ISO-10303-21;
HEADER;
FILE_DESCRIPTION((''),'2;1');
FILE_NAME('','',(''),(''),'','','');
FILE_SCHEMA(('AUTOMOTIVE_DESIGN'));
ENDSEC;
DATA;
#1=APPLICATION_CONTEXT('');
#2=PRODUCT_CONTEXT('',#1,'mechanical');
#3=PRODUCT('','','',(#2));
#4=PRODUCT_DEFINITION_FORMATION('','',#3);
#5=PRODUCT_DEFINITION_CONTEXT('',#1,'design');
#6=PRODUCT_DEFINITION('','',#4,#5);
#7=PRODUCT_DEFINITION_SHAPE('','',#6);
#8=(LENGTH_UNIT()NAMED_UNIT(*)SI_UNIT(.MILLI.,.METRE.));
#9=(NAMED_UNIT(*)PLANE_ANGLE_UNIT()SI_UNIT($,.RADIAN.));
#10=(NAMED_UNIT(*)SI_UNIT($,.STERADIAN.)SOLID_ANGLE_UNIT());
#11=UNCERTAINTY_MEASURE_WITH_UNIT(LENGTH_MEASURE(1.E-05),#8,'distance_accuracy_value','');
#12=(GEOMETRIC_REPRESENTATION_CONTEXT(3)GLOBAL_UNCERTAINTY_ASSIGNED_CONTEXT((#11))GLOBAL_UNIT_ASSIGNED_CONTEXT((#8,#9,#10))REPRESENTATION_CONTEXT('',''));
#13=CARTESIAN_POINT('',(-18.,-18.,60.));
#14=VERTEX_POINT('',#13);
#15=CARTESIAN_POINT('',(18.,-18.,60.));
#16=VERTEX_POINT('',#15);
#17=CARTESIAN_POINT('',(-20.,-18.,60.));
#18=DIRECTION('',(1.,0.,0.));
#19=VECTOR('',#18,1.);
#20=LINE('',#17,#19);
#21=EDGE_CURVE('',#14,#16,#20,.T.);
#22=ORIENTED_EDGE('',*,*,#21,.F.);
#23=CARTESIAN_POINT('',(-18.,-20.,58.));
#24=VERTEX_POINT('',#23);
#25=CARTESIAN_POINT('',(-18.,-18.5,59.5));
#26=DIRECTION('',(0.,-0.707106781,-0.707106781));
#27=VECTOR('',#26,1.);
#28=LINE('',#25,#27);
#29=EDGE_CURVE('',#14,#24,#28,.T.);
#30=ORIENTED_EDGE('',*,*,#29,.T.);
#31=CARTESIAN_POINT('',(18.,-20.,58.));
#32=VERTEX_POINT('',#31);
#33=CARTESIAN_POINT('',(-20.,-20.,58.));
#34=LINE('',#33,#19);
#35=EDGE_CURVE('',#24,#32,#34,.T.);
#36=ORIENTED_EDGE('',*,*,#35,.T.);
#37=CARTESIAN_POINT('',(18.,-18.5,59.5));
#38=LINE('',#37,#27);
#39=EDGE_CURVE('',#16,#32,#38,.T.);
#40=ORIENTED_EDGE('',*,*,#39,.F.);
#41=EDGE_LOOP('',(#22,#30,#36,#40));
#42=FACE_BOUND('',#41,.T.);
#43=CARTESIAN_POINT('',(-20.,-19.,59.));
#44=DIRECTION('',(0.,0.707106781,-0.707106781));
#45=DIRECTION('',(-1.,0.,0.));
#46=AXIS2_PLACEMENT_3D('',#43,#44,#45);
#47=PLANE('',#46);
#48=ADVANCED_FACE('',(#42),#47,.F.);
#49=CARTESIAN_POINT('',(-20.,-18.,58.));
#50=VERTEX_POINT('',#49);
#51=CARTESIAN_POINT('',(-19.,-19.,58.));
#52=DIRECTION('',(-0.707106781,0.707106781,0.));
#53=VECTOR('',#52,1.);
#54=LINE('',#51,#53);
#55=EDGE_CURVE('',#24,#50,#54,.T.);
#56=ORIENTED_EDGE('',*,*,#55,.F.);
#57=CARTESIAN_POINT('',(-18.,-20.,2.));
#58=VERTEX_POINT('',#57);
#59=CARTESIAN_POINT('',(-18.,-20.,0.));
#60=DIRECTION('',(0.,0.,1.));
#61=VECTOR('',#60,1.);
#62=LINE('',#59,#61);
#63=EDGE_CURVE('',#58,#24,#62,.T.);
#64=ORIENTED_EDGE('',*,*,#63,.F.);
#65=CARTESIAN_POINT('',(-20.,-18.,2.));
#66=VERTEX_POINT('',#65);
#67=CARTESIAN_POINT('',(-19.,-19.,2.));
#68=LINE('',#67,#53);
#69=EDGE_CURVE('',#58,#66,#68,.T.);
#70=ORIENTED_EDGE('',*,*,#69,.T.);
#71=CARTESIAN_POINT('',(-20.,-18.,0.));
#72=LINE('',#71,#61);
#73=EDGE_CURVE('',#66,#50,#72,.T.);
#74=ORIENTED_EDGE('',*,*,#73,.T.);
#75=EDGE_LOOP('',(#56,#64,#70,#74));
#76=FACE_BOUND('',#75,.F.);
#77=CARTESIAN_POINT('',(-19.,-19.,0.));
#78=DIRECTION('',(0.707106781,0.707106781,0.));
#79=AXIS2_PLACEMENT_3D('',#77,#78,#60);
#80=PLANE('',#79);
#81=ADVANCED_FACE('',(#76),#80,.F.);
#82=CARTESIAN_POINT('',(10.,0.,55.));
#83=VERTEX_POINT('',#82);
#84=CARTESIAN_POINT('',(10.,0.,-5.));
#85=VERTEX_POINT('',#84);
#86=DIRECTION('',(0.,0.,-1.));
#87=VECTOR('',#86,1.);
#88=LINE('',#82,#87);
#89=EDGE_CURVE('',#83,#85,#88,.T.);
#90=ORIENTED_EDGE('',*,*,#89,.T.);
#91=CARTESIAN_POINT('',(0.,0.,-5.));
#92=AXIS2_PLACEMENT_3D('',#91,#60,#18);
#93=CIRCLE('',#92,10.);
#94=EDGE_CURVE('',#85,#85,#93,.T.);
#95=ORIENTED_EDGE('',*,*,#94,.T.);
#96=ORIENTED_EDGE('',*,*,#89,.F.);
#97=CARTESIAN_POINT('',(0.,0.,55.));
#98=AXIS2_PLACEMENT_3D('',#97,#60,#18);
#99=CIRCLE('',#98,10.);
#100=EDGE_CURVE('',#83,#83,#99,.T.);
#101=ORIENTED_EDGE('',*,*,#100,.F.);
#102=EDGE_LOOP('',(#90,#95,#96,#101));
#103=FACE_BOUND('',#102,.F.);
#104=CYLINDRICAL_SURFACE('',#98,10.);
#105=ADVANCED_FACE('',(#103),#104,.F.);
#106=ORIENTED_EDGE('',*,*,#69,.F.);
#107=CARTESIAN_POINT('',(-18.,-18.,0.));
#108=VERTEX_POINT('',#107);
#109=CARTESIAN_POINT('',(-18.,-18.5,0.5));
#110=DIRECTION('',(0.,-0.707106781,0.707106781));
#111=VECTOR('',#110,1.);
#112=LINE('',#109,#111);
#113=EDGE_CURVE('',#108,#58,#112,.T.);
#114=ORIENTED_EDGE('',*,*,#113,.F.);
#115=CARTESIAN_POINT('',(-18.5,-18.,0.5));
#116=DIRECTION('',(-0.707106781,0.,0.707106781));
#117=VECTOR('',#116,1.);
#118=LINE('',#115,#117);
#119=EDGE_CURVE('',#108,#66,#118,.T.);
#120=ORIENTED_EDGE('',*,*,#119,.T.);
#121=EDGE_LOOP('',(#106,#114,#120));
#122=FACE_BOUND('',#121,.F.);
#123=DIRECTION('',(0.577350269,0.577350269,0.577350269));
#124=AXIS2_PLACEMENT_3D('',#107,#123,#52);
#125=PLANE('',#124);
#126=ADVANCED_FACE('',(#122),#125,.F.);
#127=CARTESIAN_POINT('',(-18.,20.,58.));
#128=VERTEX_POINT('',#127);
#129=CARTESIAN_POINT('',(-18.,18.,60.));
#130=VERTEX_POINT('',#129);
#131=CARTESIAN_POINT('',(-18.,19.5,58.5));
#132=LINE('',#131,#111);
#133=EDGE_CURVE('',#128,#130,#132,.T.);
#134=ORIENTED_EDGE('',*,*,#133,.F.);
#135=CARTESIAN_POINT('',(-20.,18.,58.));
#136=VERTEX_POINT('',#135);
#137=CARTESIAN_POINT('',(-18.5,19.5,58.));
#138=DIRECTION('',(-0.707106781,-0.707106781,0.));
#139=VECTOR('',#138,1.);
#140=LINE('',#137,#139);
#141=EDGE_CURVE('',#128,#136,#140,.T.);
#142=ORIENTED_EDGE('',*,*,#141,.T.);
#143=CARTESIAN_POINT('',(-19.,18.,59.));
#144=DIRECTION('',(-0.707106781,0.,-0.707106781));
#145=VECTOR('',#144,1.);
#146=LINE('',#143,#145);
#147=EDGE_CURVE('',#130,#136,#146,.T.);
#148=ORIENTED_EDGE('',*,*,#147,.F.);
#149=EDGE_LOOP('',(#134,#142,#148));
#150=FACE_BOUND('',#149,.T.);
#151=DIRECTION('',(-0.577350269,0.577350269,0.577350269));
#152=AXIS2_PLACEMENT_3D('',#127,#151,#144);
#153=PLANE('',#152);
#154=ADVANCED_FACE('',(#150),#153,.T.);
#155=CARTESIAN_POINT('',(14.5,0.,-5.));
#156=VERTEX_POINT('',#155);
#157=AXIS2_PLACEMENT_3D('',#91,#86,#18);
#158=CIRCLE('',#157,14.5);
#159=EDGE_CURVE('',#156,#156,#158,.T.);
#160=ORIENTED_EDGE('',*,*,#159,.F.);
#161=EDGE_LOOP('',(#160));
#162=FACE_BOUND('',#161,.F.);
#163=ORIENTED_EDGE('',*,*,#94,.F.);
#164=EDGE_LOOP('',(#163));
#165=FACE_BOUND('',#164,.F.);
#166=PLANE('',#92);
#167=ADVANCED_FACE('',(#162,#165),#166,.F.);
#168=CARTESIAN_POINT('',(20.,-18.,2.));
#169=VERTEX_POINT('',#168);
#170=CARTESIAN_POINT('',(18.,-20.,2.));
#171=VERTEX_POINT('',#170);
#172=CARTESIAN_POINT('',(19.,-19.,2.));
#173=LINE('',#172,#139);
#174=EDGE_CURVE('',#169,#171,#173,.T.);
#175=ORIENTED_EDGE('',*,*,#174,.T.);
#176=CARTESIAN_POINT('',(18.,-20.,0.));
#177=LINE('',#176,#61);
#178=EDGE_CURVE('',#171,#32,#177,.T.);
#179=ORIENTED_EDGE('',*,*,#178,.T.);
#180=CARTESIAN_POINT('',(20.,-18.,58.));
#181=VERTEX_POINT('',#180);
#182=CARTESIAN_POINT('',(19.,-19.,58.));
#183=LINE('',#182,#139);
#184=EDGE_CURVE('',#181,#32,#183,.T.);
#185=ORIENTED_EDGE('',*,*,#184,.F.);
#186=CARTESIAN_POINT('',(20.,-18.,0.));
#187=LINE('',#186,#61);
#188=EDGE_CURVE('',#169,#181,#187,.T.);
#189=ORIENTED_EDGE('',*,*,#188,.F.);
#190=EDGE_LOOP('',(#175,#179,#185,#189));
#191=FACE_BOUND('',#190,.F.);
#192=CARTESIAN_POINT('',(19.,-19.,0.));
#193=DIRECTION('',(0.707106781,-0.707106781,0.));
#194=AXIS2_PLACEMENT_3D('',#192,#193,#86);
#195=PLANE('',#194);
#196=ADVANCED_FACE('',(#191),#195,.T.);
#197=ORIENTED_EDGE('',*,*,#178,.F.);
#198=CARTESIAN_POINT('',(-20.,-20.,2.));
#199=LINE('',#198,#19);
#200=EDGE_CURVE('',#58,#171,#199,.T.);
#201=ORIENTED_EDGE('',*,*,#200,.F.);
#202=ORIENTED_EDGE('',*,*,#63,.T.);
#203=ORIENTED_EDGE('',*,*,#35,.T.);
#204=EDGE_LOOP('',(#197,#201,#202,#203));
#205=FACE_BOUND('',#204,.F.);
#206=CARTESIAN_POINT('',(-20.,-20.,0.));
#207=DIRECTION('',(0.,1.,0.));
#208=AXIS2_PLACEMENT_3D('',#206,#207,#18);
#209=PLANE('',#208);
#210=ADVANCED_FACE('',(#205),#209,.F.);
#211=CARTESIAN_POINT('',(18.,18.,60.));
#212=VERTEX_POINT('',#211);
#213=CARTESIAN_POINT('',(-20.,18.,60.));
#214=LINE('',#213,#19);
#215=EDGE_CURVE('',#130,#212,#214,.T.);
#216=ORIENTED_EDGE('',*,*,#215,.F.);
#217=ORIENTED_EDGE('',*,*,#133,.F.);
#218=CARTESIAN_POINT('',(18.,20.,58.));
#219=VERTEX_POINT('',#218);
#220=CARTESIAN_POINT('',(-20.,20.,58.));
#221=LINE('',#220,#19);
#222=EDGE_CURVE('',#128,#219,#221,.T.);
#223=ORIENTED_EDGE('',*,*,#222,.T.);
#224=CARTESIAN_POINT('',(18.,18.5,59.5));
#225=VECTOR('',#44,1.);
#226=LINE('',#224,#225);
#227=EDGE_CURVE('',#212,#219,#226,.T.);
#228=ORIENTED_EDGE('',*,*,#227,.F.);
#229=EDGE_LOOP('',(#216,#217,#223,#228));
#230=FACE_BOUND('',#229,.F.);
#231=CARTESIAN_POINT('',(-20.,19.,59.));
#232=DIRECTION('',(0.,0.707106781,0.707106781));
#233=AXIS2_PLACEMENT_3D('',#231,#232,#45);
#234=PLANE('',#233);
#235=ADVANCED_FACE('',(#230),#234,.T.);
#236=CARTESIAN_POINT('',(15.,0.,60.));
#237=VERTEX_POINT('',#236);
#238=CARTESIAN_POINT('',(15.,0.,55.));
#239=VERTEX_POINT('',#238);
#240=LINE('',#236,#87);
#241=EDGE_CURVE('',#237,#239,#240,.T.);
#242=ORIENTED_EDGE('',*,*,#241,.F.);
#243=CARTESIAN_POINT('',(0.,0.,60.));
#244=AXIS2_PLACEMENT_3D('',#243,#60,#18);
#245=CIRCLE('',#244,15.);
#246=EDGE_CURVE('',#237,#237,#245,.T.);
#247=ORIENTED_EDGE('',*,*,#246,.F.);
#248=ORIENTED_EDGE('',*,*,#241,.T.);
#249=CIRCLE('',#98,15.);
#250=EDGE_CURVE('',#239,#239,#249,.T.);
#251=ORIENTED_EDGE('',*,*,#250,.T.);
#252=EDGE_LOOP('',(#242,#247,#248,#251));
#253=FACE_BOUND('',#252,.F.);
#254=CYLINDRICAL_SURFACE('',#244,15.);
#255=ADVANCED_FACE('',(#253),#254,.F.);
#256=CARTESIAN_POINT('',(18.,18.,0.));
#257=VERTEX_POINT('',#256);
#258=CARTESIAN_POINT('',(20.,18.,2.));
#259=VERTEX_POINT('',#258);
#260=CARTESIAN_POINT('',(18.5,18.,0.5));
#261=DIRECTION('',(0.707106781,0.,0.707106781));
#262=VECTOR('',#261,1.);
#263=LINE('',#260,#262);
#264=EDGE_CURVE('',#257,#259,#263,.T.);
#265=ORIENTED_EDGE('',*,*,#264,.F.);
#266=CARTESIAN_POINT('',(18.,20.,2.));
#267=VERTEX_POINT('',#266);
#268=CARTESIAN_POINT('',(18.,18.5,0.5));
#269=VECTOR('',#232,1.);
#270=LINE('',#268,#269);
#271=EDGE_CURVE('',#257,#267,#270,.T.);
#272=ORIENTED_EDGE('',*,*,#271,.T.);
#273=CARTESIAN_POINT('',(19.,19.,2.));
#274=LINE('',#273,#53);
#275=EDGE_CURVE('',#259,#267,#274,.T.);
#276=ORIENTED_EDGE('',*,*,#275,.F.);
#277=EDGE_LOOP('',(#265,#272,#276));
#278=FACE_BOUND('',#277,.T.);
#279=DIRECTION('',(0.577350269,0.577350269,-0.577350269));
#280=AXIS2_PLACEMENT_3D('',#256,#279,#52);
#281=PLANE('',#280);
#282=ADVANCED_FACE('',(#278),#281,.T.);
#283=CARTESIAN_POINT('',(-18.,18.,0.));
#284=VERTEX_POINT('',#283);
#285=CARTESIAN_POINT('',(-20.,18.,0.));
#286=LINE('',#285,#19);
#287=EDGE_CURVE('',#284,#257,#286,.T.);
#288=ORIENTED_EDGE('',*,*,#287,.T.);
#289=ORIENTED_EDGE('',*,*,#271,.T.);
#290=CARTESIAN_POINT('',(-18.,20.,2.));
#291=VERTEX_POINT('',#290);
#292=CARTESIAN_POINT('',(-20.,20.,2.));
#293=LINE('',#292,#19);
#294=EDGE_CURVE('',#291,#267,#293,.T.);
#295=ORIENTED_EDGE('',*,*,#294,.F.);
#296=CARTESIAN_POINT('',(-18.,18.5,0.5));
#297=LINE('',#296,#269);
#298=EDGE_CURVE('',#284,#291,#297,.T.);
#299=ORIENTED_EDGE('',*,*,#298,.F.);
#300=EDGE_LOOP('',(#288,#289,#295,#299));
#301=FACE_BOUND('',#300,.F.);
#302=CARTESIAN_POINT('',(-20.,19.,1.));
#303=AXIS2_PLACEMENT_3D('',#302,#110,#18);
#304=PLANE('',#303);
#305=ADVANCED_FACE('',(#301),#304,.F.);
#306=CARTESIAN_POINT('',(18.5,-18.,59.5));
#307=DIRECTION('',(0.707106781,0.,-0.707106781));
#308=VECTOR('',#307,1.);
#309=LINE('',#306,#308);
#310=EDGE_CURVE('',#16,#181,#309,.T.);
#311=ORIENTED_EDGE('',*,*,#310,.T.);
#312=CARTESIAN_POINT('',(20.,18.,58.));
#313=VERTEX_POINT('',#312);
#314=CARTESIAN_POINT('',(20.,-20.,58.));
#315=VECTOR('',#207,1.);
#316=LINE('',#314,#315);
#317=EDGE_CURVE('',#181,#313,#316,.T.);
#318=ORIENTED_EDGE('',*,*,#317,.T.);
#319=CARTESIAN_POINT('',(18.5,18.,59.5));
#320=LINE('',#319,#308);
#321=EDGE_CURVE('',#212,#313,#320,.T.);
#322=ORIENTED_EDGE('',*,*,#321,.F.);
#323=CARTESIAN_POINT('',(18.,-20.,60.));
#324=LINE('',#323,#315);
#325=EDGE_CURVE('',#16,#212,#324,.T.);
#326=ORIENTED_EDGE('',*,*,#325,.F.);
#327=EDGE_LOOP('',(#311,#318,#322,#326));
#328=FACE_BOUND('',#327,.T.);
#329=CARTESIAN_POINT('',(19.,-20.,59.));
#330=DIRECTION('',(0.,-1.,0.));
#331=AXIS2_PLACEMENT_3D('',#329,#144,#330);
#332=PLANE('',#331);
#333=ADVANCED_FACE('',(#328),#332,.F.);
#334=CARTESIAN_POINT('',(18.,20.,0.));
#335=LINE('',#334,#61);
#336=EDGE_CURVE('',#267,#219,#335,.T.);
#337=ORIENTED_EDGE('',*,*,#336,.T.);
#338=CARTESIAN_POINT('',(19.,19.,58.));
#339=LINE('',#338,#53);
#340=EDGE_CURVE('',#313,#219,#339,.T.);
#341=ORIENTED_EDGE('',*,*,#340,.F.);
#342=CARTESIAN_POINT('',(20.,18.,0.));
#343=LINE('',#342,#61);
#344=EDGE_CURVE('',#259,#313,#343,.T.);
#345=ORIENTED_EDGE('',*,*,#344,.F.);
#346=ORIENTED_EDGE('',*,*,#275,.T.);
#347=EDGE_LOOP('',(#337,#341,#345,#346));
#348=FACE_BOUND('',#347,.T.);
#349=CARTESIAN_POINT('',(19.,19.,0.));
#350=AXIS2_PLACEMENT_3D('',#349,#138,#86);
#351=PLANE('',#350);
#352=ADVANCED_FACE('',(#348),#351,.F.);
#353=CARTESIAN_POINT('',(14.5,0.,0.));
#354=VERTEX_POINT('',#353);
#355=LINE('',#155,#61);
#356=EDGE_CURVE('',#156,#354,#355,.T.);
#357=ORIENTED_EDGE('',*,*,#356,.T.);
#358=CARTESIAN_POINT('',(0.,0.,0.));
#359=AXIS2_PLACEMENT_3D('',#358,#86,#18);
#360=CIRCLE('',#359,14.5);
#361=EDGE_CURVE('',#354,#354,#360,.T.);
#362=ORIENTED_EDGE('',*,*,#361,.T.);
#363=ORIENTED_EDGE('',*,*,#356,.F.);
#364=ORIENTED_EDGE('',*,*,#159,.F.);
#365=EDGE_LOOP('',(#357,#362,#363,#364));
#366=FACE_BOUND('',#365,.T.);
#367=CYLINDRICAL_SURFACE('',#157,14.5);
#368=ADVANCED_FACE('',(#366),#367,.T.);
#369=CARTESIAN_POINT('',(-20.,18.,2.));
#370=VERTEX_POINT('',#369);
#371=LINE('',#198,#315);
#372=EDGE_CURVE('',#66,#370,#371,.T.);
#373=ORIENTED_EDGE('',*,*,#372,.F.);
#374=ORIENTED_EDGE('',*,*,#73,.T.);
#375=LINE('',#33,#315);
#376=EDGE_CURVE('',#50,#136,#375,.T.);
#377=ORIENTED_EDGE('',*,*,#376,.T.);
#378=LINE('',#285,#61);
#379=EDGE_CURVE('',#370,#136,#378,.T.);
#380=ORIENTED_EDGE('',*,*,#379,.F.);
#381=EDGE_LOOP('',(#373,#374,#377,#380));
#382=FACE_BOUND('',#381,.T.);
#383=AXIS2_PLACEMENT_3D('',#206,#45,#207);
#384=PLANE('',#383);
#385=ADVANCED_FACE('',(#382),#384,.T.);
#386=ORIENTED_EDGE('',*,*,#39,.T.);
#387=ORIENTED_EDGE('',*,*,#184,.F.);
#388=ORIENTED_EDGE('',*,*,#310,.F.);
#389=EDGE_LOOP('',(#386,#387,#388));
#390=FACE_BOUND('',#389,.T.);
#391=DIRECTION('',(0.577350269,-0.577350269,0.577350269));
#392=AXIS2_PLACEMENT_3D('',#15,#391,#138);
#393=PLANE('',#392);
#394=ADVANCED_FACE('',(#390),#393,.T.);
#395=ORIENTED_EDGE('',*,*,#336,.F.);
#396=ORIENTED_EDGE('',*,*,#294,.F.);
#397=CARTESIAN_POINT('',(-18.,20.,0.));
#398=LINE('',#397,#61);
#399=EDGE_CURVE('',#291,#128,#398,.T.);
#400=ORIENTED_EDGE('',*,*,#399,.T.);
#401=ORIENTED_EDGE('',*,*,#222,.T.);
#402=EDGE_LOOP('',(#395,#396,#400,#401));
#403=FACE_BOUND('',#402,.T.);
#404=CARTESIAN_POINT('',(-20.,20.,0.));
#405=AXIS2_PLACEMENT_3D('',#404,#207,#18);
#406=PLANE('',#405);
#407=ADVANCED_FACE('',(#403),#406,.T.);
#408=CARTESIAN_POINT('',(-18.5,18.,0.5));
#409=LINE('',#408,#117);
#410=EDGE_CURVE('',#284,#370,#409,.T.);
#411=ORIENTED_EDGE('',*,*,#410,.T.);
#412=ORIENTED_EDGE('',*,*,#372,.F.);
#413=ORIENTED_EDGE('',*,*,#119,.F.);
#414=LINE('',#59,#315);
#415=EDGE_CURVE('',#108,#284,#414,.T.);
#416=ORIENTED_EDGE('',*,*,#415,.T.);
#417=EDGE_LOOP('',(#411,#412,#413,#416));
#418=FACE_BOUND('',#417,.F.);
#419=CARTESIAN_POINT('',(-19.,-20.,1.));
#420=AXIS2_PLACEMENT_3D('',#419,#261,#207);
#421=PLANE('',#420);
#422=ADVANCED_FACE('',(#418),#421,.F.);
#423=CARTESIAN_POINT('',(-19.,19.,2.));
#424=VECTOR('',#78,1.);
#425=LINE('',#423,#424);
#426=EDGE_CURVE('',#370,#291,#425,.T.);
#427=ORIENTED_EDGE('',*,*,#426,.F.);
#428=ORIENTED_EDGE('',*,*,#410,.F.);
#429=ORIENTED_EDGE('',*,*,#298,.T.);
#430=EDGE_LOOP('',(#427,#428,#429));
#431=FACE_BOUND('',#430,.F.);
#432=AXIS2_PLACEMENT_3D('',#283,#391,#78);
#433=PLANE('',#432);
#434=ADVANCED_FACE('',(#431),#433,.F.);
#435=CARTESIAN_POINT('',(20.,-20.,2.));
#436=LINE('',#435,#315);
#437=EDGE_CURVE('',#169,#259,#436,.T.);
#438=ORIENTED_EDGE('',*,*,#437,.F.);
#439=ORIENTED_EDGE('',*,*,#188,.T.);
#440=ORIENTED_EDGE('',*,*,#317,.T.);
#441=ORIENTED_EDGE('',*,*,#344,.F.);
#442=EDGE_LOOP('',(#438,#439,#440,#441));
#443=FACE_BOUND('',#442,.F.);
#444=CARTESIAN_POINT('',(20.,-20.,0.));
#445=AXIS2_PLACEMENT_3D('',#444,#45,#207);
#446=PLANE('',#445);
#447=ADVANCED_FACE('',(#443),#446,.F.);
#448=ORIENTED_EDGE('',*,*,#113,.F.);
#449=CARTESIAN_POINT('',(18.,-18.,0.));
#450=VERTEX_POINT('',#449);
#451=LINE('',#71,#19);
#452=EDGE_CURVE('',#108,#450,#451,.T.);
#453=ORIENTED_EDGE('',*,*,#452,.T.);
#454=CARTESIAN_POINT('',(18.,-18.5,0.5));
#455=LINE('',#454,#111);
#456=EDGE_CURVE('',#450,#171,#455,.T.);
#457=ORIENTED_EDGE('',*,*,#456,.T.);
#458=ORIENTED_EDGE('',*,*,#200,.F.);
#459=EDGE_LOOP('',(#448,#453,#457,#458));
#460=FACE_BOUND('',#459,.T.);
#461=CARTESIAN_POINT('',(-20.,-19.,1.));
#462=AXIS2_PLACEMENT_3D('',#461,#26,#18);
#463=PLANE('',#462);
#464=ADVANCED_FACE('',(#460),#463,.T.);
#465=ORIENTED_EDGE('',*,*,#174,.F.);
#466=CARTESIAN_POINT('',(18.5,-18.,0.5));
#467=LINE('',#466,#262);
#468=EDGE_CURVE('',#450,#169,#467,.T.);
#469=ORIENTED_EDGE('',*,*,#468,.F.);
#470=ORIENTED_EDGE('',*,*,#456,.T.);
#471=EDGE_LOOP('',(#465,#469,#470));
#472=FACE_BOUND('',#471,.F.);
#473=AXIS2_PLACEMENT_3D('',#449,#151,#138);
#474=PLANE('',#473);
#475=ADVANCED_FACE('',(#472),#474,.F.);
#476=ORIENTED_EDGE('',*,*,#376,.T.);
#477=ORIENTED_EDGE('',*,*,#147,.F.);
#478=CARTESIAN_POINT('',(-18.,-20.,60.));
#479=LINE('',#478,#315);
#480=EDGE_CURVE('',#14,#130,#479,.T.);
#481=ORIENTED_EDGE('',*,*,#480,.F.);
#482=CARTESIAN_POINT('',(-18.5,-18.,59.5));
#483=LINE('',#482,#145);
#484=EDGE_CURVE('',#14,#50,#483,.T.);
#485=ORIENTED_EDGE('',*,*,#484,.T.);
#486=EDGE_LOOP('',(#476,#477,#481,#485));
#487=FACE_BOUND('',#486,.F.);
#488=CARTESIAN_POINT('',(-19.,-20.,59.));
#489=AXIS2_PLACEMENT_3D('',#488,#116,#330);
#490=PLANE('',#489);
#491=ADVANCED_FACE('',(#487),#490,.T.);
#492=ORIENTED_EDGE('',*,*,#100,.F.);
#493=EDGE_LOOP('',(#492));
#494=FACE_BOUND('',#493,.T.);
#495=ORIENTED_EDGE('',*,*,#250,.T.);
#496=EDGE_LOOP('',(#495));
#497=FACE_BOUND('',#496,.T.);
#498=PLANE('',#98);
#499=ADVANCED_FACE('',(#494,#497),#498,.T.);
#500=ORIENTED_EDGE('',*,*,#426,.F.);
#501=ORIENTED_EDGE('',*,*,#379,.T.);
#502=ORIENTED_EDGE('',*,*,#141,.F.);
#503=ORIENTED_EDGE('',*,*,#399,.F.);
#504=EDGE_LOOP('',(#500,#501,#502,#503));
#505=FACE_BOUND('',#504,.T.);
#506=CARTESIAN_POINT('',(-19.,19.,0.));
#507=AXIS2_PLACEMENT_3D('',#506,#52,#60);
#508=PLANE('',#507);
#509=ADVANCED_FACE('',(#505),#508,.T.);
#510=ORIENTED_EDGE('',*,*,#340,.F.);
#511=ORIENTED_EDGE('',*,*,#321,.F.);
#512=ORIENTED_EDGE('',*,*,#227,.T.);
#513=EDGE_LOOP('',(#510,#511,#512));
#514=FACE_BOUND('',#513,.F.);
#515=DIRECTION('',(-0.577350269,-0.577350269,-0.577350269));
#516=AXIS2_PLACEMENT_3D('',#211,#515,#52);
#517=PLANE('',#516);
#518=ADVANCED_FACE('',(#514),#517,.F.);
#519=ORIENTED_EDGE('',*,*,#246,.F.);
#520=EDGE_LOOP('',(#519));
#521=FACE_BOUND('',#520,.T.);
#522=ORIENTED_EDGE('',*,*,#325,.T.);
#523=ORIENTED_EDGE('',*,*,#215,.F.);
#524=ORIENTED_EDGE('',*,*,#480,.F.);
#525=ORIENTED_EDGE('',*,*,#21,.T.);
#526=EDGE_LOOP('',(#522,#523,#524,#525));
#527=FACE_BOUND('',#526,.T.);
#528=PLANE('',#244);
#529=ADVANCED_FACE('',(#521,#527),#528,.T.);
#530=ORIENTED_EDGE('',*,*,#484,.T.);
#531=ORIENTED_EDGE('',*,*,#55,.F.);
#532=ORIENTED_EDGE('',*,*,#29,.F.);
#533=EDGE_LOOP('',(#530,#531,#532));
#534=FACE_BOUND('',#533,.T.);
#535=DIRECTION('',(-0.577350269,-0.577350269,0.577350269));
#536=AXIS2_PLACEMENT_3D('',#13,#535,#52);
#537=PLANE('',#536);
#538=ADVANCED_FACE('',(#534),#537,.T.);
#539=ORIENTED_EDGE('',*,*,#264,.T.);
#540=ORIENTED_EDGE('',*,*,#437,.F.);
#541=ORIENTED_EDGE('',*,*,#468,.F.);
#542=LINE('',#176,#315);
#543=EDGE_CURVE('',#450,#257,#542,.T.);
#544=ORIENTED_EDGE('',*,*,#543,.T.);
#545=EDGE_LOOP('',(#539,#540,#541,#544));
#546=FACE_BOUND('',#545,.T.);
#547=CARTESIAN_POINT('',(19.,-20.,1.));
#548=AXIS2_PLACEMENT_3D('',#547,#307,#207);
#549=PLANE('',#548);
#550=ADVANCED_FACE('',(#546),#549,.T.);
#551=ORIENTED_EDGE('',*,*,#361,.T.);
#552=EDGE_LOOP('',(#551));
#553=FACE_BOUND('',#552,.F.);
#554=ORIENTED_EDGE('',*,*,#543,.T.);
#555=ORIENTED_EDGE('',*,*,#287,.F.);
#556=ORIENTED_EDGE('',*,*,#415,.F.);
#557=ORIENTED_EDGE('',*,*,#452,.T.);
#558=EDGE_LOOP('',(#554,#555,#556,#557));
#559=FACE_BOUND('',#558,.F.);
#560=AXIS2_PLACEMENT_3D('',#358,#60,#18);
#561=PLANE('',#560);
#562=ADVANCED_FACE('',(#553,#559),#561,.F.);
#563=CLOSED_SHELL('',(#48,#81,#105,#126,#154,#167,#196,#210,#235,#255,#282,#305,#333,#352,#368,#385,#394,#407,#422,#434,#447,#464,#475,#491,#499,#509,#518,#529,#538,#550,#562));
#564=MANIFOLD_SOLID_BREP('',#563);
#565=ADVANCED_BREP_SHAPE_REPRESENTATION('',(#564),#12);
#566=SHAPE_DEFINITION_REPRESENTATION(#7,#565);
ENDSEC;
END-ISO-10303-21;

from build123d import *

# Parameters (mm, degrees)
F0_W     = 40
F0_H     = 40
F1_DEPTH = 60
F2_R     = 15
F3_DEPTH = 60
F5_START = -5
F4_R     = 15
F4_R_2   = 10
F5_DEPTH = 60
F6_SIZE  = 2
F7_W     = 88.496286422
F7_H     = 74.0717835724
F7_R     = 14.5
F8_DEPTH = 5


with BuildPart() as f1:
    # F0 (on Top) → F1 (new body)
    with BuildSketch(Plane.XY):
        Rectangle(F0_W, F0_H)
    extrude(amount=F1_DEPTH)

    # F2 (on face) → F3 (cut)
    with BuildSketch(Plane.XY.offset(60)):
        Circle(F2_R)
    extrude(amount=-F3_DEPTH, mode=Mode.SUBTRACT)

    # F4 (on face) → F5 (join)
    with BuildSketch(Plane.XY.offset(60).offset(F5_START)):
        Circle(F4_R)
        Circle(F4_R_2, mode=Mode.SUBTRACT)
    extrude(amount=-F5_DEPTH)

    # F6
    f6_edges = [f1.edges().sort_by_distance(p)[0] for p in [
        (20, -20, 30),
        (20, 20, 30),
        (-20, -20, 30),
        (20, 0, 60),
        (0, -20, 60),
        (-20, 0, 60),
        (0, 20, 60),
        (-20, 20, 30),
        (20, 0, 0),
        (0, -20, 0),
        (-20, 0, 0),
        (0, 20, 0),
    ]]
    chamfer(f6_edges, length=F6_SIZE)

    # F7 (on face) → F8 (cut)
    with BuildSketch(Plane(origin=(0, 0, -5), x_dir=(1, 0, 0), z_dir=(0, 0, -1))):
        with Locations((-0.5847793072, -3.7035886198)):
            Rectangle(F7_W, F7_H)
        Circle(F7_R, mode=Mode.SUBTRACT)
    extrude(amount=-F8_DEPTH, mode=Mode.SUBTRACT)


solid = f1.part
